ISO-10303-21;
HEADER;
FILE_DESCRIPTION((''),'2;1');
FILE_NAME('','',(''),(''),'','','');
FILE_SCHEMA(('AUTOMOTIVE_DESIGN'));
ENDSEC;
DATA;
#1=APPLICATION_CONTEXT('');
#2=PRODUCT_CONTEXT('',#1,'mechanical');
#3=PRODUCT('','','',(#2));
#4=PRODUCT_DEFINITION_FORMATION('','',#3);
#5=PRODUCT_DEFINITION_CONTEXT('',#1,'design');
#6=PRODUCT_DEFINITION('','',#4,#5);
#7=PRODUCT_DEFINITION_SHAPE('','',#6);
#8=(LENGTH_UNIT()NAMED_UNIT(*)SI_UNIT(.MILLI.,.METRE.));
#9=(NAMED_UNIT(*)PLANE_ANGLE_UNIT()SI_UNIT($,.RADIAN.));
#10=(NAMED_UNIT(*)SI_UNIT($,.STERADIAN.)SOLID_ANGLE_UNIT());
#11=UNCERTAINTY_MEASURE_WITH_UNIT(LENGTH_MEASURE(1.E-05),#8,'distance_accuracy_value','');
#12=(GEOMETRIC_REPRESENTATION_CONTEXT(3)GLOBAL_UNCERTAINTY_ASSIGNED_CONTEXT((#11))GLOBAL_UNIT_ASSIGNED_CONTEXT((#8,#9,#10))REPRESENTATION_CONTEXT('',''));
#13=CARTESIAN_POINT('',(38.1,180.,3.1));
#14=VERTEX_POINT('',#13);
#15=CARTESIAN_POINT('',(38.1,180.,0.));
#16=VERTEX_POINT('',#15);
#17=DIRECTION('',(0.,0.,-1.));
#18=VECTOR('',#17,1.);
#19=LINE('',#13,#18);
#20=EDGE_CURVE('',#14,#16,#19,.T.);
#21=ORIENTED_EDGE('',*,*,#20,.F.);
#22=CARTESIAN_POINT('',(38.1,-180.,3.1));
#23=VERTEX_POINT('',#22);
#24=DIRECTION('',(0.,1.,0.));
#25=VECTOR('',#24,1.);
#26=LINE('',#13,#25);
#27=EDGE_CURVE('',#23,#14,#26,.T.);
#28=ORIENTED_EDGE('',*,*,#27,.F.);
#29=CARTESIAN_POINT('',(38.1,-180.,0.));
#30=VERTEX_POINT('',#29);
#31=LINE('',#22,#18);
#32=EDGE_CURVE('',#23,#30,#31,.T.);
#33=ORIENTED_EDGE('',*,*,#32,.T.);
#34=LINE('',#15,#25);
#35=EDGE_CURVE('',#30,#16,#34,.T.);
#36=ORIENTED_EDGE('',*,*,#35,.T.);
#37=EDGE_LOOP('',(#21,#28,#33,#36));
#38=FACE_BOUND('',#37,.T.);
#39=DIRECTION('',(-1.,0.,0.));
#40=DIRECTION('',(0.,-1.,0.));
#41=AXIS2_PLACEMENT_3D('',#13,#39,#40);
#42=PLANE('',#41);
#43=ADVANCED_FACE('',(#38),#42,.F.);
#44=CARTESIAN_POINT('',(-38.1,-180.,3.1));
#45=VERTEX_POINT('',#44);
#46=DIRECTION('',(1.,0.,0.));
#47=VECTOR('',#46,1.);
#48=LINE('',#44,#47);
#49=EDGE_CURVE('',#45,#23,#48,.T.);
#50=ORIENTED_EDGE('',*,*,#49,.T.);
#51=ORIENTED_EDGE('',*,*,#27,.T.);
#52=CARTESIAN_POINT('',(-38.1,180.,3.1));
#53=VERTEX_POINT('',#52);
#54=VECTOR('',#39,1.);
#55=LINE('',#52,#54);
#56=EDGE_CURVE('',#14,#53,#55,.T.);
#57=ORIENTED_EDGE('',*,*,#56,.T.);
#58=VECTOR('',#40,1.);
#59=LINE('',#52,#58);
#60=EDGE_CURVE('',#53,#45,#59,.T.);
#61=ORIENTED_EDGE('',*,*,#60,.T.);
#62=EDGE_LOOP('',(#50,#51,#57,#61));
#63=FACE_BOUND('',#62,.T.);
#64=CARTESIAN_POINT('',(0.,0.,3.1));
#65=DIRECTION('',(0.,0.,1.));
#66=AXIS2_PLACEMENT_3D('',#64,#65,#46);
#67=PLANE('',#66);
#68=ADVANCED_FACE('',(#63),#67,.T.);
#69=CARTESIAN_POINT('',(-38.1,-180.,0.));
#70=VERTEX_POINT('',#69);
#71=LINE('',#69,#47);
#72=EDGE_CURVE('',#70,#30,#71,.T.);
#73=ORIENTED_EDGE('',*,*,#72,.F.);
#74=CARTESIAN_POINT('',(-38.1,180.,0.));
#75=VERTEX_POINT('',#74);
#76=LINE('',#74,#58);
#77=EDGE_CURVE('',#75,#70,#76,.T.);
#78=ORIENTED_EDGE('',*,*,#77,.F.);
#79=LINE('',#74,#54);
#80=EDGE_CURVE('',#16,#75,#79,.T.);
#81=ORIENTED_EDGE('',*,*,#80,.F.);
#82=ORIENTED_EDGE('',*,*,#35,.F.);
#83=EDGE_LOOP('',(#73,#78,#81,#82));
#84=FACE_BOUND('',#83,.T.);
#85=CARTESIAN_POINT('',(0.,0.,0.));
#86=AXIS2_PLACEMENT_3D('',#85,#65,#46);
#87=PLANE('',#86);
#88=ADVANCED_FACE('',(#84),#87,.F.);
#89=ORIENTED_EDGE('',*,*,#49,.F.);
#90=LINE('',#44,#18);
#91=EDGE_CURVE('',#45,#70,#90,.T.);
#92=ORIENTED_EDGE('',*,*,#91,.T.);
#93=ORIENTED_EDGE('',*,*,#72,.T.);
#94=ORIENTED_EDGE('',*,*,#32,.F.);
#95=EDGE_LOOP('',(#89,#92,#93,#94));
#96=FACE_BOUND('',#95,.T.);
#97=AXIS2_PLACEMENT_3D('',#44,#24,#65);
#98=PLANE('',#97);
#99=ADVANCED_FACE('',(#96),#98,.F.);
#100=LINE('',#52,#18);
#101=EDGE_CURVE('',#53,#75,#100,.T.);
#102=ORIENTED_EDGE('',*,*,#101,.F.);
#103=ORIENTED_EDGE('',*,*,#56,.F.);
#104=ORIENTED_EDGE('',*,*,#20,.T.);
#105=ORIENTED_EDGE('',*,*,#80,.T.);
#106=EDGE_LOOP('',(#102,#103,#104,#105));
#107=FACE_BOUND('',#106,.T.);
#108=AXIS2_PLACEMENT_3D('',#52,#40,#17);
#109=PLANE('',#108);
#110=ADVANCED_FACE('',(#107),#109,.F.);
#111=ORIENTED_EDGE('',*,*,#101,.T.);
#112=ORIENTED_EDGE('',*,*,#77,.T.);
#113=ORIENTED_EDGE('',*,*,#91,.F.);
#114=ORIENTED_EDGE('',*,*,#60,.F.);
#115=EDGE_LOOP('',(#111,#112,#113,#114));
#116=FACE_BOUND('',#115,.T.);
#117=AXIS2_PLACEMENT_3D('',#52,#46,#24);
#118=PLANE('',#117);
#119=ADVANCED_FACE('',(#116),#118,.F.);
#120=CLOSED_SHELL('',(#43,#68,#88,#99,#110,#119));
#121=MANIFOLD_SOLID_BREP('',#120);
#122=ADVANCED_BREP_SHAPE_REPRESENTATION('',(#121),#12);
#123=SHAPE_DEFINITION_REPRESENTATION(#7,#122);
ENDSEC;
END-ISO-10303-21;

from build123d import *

# Parameters (mm, degrees)
CROQUIS1_W              = 76.2
CROQUIS1_H              = 360
SALIENTE_EXTRUIR1_DEPTH = 3.1


with BuildPart() as part:
    # Croquis1 → Saliente-Extruir1 (new body)
    with BuildSketch(Plane.XY):
        Rectangle(CROQUIS1_W, CROQUIS1_H)
    extrude(amount=SALIENTE_EXTRUIR1_DEPTH)


solid = part.part
